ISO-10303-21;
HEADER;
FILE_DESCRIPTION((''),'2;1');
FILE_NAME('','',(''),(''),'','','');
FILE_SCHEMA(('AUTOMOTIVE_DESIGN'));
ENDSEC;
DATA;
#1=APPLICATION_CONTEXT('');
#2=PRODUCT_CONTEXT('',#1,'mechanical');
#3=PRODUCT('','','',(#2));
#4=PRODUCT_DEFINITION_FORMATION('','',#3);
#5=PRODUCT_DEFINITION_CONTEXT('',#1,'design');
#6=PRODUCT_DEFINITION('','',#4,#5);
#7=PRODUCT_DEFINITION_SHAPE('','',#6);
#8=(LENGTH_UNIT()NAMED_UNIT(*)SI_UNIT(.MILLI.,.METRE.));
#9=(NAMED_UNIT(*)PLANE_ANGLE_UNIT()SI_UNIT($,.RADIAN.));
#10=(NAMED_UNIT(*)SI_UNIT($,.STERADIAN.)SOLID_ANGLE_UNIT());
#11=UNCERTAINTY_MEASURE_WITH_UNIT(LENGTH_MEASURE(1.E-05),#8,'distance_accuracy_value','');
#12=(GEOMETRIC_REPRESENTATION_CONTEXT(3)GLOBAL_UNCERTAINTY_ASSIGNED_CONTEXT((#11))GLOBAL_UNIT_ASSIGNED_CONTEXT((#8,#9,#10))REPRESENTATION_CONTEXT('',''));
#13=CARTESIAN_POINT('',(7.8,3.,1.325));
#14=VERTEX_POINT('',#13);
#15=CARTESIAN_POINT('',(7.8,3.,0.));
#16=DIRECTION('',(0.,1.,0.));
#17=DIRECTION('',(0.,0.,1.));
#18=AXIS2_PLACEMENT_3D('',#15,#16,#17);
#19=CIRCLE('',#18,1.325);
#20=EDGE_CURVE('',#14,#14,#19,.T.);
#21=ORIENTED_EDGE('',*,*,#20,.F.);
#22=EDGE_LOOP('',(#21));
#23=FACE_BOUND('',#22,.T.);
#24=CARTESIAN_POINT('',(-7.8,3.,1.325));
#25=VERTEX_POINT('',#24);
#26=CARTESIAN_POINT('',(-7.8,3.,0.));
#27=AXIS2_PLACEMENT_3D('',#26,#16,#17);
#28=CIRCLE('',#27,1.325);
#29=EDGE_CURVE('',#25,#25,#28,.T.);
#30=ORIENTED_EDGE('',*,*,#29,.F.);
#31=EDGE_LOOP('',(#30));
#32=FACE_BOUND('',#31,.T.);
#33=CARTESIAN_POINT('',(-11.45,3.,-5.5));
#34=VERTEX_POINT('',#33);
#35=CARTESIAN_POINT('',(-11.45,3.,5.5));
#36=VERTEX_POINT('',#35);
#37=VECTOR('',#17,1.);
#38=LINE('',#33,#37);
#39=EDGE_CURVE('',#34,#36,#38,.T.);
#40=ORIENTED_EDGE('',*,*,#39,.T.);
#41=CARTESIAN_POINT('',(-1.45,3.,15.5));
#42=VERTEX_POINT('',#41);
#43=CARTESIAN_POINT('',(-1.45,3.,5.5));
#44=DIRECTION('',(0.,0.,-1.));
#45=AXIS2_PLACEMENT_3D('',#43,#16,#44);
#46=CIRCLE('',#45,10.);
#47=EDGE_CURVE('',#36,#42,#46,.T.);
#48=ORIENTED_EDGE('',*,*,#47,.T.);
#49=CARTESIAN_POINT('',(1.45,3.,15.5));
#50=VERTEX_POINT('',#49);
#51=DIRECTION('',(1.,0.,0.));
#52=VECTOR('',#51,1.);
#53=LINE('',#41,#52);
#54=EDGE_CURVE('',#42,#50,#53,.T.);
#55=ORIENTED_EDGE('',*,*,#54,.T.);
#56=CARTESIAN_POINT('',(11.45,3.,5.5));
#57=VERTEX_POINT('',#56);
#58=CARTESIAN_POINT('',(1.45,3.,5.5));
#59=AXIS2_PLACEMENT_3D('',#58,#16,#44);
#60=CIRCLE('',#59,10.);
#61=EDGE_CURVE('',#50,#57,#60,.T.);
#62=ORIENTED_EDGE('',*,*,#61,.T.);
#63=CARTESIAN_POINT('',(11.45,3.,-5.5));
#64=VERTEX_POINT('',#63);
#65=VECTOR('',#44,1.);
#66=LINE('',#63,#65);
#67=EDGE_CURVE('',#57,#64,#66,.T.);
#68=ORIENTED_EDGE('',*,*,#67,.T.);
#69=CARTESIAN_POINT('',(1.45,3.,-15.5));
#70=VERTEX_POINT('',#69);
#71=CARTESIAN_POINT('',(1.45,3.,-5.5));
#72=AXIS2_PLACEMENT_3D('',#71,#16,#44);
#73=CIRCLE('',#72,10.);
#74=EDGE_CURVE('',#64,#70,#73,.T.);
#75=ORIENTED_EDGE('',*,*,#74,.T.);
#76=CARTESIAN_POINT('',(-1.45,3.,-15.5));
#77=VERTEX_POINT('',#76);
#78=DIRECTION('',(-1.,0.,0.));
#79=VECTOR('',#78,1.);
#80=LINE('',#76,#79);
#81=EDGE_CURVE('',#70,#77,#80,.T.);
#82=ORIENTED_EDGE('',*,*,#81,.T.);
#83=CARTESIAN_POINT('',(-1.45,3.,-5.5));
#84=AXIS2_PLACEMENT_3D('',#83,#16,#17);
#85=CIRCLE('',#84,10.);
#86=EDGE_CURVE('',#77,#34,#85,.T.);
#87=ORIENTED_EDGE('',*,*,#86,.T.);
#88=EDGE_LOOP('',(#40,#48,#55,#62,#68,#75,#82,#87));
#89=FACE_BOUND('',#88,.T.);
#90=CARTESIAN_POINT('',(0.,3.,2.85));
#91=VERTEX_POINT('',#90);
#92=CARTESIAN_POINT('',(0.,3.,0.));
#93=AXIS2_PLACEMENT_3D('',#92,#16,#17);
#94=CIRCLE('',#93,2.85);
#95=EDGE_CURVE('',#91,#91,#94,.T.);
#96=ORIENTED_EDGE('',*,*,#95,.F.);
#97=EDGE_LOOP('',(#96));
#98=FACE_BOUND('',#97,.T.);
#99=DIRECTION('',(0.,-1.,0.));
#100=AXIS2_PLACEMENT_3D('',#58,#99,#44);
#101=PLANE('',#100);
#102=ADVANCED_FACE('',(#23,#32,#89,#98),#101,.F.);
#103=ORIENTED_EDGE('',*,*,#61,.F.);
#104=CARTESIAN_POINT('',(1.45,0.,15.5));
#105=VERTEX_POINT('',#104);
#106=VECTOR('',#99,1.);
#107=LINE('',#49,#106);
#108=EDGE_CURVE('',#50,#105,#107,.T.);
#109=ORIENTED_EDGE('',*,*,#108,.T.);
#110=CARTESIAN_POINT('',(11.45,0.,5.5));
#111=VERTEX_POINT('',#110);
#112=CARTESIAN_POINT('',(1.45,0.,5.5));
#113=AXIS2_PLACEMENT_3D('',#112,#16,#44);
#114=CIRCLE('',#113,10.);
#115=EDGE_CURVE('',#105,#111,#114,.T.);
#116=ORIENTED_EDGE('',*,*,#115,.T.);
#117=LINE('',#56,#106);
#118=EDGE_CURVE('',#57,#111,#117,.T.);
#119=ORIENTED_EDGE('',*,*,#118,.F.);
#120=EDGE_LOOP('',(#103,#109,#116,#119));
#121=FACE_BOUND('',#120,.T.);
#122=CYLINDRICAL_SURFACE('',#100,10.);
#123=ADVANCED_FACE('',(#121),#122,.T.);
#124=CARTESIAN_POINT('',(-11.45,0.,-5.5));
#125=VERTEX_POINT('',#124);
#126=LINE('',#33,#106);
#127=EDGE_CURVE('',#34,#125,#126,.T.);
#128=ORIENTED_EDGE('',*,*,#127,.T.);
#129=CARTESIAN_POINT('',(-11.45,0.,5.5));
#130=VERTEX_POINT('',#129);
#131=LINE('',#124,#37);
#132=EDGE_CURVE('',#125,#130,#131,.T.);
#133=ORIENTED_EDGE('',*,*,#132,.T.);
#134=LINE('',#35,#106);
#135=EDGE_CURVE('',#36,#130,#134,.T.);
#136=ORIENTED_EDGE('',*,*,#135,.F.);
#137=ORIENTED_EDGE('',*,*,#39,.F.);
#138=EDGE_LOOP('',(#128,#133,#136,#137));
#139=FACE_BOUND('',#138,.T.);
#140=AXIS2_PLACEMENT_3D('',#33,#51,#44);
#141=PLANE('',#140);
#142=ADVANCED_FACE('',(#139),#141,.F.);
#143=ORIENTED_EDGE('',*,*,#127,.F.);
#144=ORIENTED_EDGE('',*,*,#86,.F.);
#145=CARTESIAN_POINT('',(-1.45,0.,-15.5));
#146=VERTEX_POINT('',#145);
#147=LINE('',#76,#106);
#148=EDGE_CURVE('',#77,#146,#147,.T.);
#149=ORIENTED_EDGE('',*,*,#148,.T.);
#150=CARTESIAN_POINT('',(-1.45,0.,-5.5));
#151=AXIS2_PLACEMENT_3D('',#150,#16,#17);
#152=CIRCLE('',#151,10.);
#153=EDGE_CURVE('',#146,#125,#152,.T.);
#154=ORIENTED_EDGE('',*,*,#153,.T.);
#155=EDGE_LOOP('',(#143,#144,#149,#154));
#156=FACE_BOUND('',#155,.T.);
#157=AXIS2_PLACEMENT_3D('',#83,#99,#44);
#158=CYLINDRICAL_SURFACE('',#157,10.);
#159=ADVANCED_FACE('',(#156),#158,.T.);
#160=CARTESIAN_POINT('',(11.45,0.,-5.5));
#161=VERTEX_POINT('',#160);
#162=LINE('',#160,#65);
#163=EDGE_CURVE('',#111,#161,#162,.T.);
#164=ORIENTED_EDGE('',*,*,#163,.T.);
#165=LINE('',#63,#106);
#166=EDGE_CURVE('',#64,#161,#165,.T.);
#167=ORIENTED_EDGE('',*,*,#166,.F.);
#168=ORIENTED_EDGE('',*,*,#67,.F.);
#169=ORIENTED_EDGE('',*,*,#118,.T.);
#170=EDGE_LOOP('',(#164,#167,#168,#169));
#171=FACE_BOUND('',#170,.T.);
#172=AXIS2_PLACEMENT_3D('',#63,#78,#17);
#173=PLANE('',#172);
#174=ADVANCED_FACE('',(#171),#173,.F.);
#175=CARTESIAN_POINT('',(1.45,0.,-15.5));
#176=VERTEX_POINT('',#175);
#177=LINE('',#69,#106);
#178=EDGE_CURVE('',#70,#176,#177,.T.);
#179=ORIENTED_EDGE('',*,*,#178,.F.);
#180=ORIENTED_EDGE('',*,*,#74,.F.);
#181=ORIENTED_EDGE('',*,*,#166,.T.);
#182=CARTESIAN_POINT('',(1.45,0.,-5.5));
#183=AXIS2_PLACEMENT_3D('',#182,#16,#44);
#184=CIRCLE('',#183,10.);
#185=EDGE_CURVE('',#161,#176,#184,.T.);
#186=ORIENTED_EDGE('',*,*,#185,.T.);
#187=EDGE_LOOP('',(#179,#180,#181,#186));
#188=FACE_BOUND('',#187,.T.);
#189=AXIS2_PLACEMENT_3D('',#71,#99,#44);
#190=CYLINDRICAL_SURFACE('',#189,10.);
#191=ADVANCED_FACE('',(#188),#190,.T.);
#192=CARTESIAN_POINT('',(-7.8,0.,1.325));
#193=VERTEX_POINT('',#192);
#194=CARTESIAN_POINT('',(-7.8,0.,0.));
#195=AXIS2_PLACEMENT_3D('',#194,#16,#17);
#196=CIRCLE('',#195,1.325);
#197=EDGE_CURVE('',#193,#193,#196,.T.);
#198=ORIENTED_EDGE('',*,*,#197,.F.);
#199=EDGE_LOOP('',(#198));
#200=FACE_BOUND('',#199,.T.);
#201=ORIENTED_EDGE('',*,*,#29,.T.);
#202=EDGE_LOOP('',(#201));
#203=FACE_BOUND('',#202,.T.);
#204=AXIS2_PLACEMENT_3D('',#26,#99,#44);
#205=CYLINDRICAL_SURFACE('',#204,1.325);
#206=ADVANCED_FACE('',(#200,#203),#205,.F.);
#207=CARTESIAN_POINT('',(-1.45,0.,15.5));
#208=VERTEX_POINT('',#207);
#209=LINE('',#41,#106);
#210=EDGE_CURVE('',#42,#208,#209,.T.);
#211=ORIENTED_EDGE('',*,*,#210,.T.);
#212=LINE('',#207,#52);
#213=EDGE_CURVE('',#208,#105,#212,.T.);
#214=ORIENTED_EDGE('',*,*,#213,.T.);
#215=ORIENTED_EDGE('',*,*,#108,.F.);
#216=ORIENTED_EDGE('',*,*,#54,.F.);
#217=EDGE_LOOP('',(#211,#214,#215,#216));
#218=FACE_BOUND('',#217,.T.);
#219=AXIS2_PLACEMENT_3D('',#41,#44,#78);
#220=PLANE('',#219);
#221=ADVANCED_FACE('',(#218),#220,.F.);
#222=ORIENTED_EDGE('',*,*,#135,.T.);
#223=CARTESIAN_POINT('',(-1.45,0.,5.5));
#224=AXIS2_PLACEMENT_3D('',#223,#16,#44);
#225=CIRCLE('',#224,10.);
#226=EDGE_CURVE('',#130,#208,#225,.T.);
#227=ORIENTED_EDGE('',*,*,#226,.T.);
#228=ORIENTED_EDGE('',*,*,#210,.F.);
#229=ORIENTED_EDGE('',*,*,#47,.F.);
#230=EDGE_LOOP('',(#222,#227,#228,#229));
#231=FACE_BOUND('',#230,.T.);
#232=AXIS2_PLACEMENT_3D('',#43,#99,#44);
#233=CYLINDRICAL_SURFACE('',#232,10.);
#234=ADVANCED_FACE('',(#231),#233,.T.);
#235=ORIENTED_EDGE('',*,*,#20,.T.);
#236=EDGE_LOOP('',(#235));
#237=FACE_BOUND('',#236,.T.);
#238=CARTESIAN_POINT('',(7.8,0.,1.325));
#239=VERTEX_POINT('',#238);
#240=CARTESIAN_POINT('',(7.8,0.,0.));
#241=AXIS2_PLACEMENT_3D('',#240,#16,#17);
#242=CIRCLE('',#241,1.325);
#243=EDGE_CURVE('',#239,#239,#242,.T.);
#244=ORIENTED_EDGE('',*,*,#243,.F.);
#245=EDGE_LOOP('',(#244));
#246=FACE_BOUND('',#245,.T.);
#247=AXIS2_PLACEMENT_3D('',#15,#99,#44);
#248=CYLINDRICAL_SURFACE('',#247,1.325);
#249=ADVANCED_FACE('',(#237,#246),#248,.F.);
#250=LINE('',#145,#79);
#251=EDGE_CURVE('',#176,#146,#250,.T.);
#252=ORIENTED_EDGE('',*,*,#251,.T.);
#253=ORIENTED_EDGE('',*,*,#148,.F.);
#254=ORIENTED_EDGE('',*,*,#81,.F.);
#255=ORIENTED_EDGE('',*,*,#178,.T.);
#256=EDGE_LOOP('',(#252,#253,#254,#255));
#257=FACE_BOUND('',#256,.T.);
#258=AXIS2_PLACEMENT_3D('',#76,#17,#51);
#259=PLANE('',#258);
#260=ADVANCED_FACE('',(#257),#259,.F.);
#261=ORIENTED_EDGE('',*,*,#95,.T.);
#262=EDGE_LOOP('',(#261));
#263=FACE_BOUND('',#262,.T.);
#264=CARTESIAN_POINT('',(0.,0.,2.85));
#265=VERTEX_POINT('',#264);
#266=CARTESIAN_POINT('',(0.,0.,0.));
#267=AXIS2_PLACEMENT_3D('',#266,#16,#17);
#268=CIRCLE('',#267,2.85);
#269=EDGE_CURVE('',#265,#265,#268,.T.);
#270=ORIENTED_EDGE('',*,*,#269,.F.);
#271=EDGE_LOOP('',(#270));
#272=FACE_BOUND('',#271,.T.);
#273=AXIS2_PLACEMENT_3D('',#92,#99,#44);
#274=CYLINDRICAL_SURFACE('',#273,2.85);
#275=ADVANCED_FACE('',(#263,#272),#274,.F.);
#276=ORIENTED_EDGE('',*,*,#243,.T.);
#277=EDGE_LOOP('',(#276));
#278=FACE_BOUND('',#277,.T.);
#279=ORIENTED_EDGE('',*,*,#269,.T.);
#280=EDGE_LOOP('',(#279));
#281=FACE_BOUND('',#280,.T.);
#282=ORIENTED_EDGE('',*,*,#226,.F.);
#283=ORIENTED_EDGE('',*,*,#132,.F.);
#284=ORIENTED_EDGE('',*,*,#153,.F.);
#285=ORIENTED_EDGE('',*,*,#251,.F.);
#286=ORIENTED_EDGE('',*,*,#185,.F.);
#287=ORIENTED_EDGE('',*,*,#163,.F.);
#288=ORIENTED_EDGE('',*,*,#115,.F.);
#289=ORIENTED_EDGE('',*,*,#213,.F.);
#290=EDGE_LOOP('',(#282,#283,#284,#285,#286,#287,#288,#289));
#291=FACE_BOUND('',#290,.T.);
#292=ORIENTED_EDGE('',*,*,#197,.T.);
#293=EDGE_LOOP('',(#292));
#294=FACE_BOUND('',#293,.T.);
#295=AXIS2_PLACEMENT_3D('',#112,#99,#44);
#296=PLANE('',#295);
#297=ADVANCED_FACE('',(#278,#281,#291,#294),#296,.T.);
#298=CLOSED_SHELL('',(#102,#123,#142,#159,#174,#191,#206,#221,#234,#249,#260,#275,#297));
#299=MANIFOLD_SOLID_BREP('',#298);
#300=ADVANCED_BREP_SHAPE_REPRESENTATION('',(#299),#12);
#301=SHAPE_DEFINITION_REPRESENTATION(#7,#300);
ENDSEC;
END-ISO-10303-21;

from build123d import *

# Parameters (mm, degrees)
SKETCH1_R           = 1.325
SKETCH1_R_2         = 2.85
BOSS_EXTRUDE1_DEPTH = 3


with BuildPart() as part:
    # Sketch1 → Boss-Extrude1 (new body)
    with BuildSketch(Plane(origin=(0, 0, 0), x_dir=(1, 0, 0), z_dir=(0, 1, 0))):
        with BuildLine():
            Line((-1.45, 15.5), (1.45, 15.5))
            ThreePointArc((1.45, 15.5), (8.521067812, 12.571067812), (11.45, 5.5))
            Line((11.45, 5.5), (11.45, -5.5))
            ThreePointArc((11.45, -5.5), (8.521067812, -12.571067812), (1.45, -15.5))
            Line((1.45, -15.5), (-1.45, -15.5))
            ThreePointArc((-1.45, -15.5), (-8.521067812, -12.571067812), (-11.45, -5.5))
            Line((-11.45, -5.5), (-11.45, 5.5))
            ThreePointArc((-11.45, 5.5), (-8.521067812, 12.571067812), (-1.45, 15.5))
        make_face()
        with Locations((7.8, 0)):
            Circle(SKETCH1_R, mode=Mode.SUBTRACT)
        with Locations((-7.8, 0)):
            Circle(SKETCH1_R, mode=Mode.SUBTRACT)
        Circle(SKETCH1_R_2, mode=Mode.SUBTRACT)
    extrude(amount=BOSS_EXTRUDE1_DEPTH)


solid = part.part
